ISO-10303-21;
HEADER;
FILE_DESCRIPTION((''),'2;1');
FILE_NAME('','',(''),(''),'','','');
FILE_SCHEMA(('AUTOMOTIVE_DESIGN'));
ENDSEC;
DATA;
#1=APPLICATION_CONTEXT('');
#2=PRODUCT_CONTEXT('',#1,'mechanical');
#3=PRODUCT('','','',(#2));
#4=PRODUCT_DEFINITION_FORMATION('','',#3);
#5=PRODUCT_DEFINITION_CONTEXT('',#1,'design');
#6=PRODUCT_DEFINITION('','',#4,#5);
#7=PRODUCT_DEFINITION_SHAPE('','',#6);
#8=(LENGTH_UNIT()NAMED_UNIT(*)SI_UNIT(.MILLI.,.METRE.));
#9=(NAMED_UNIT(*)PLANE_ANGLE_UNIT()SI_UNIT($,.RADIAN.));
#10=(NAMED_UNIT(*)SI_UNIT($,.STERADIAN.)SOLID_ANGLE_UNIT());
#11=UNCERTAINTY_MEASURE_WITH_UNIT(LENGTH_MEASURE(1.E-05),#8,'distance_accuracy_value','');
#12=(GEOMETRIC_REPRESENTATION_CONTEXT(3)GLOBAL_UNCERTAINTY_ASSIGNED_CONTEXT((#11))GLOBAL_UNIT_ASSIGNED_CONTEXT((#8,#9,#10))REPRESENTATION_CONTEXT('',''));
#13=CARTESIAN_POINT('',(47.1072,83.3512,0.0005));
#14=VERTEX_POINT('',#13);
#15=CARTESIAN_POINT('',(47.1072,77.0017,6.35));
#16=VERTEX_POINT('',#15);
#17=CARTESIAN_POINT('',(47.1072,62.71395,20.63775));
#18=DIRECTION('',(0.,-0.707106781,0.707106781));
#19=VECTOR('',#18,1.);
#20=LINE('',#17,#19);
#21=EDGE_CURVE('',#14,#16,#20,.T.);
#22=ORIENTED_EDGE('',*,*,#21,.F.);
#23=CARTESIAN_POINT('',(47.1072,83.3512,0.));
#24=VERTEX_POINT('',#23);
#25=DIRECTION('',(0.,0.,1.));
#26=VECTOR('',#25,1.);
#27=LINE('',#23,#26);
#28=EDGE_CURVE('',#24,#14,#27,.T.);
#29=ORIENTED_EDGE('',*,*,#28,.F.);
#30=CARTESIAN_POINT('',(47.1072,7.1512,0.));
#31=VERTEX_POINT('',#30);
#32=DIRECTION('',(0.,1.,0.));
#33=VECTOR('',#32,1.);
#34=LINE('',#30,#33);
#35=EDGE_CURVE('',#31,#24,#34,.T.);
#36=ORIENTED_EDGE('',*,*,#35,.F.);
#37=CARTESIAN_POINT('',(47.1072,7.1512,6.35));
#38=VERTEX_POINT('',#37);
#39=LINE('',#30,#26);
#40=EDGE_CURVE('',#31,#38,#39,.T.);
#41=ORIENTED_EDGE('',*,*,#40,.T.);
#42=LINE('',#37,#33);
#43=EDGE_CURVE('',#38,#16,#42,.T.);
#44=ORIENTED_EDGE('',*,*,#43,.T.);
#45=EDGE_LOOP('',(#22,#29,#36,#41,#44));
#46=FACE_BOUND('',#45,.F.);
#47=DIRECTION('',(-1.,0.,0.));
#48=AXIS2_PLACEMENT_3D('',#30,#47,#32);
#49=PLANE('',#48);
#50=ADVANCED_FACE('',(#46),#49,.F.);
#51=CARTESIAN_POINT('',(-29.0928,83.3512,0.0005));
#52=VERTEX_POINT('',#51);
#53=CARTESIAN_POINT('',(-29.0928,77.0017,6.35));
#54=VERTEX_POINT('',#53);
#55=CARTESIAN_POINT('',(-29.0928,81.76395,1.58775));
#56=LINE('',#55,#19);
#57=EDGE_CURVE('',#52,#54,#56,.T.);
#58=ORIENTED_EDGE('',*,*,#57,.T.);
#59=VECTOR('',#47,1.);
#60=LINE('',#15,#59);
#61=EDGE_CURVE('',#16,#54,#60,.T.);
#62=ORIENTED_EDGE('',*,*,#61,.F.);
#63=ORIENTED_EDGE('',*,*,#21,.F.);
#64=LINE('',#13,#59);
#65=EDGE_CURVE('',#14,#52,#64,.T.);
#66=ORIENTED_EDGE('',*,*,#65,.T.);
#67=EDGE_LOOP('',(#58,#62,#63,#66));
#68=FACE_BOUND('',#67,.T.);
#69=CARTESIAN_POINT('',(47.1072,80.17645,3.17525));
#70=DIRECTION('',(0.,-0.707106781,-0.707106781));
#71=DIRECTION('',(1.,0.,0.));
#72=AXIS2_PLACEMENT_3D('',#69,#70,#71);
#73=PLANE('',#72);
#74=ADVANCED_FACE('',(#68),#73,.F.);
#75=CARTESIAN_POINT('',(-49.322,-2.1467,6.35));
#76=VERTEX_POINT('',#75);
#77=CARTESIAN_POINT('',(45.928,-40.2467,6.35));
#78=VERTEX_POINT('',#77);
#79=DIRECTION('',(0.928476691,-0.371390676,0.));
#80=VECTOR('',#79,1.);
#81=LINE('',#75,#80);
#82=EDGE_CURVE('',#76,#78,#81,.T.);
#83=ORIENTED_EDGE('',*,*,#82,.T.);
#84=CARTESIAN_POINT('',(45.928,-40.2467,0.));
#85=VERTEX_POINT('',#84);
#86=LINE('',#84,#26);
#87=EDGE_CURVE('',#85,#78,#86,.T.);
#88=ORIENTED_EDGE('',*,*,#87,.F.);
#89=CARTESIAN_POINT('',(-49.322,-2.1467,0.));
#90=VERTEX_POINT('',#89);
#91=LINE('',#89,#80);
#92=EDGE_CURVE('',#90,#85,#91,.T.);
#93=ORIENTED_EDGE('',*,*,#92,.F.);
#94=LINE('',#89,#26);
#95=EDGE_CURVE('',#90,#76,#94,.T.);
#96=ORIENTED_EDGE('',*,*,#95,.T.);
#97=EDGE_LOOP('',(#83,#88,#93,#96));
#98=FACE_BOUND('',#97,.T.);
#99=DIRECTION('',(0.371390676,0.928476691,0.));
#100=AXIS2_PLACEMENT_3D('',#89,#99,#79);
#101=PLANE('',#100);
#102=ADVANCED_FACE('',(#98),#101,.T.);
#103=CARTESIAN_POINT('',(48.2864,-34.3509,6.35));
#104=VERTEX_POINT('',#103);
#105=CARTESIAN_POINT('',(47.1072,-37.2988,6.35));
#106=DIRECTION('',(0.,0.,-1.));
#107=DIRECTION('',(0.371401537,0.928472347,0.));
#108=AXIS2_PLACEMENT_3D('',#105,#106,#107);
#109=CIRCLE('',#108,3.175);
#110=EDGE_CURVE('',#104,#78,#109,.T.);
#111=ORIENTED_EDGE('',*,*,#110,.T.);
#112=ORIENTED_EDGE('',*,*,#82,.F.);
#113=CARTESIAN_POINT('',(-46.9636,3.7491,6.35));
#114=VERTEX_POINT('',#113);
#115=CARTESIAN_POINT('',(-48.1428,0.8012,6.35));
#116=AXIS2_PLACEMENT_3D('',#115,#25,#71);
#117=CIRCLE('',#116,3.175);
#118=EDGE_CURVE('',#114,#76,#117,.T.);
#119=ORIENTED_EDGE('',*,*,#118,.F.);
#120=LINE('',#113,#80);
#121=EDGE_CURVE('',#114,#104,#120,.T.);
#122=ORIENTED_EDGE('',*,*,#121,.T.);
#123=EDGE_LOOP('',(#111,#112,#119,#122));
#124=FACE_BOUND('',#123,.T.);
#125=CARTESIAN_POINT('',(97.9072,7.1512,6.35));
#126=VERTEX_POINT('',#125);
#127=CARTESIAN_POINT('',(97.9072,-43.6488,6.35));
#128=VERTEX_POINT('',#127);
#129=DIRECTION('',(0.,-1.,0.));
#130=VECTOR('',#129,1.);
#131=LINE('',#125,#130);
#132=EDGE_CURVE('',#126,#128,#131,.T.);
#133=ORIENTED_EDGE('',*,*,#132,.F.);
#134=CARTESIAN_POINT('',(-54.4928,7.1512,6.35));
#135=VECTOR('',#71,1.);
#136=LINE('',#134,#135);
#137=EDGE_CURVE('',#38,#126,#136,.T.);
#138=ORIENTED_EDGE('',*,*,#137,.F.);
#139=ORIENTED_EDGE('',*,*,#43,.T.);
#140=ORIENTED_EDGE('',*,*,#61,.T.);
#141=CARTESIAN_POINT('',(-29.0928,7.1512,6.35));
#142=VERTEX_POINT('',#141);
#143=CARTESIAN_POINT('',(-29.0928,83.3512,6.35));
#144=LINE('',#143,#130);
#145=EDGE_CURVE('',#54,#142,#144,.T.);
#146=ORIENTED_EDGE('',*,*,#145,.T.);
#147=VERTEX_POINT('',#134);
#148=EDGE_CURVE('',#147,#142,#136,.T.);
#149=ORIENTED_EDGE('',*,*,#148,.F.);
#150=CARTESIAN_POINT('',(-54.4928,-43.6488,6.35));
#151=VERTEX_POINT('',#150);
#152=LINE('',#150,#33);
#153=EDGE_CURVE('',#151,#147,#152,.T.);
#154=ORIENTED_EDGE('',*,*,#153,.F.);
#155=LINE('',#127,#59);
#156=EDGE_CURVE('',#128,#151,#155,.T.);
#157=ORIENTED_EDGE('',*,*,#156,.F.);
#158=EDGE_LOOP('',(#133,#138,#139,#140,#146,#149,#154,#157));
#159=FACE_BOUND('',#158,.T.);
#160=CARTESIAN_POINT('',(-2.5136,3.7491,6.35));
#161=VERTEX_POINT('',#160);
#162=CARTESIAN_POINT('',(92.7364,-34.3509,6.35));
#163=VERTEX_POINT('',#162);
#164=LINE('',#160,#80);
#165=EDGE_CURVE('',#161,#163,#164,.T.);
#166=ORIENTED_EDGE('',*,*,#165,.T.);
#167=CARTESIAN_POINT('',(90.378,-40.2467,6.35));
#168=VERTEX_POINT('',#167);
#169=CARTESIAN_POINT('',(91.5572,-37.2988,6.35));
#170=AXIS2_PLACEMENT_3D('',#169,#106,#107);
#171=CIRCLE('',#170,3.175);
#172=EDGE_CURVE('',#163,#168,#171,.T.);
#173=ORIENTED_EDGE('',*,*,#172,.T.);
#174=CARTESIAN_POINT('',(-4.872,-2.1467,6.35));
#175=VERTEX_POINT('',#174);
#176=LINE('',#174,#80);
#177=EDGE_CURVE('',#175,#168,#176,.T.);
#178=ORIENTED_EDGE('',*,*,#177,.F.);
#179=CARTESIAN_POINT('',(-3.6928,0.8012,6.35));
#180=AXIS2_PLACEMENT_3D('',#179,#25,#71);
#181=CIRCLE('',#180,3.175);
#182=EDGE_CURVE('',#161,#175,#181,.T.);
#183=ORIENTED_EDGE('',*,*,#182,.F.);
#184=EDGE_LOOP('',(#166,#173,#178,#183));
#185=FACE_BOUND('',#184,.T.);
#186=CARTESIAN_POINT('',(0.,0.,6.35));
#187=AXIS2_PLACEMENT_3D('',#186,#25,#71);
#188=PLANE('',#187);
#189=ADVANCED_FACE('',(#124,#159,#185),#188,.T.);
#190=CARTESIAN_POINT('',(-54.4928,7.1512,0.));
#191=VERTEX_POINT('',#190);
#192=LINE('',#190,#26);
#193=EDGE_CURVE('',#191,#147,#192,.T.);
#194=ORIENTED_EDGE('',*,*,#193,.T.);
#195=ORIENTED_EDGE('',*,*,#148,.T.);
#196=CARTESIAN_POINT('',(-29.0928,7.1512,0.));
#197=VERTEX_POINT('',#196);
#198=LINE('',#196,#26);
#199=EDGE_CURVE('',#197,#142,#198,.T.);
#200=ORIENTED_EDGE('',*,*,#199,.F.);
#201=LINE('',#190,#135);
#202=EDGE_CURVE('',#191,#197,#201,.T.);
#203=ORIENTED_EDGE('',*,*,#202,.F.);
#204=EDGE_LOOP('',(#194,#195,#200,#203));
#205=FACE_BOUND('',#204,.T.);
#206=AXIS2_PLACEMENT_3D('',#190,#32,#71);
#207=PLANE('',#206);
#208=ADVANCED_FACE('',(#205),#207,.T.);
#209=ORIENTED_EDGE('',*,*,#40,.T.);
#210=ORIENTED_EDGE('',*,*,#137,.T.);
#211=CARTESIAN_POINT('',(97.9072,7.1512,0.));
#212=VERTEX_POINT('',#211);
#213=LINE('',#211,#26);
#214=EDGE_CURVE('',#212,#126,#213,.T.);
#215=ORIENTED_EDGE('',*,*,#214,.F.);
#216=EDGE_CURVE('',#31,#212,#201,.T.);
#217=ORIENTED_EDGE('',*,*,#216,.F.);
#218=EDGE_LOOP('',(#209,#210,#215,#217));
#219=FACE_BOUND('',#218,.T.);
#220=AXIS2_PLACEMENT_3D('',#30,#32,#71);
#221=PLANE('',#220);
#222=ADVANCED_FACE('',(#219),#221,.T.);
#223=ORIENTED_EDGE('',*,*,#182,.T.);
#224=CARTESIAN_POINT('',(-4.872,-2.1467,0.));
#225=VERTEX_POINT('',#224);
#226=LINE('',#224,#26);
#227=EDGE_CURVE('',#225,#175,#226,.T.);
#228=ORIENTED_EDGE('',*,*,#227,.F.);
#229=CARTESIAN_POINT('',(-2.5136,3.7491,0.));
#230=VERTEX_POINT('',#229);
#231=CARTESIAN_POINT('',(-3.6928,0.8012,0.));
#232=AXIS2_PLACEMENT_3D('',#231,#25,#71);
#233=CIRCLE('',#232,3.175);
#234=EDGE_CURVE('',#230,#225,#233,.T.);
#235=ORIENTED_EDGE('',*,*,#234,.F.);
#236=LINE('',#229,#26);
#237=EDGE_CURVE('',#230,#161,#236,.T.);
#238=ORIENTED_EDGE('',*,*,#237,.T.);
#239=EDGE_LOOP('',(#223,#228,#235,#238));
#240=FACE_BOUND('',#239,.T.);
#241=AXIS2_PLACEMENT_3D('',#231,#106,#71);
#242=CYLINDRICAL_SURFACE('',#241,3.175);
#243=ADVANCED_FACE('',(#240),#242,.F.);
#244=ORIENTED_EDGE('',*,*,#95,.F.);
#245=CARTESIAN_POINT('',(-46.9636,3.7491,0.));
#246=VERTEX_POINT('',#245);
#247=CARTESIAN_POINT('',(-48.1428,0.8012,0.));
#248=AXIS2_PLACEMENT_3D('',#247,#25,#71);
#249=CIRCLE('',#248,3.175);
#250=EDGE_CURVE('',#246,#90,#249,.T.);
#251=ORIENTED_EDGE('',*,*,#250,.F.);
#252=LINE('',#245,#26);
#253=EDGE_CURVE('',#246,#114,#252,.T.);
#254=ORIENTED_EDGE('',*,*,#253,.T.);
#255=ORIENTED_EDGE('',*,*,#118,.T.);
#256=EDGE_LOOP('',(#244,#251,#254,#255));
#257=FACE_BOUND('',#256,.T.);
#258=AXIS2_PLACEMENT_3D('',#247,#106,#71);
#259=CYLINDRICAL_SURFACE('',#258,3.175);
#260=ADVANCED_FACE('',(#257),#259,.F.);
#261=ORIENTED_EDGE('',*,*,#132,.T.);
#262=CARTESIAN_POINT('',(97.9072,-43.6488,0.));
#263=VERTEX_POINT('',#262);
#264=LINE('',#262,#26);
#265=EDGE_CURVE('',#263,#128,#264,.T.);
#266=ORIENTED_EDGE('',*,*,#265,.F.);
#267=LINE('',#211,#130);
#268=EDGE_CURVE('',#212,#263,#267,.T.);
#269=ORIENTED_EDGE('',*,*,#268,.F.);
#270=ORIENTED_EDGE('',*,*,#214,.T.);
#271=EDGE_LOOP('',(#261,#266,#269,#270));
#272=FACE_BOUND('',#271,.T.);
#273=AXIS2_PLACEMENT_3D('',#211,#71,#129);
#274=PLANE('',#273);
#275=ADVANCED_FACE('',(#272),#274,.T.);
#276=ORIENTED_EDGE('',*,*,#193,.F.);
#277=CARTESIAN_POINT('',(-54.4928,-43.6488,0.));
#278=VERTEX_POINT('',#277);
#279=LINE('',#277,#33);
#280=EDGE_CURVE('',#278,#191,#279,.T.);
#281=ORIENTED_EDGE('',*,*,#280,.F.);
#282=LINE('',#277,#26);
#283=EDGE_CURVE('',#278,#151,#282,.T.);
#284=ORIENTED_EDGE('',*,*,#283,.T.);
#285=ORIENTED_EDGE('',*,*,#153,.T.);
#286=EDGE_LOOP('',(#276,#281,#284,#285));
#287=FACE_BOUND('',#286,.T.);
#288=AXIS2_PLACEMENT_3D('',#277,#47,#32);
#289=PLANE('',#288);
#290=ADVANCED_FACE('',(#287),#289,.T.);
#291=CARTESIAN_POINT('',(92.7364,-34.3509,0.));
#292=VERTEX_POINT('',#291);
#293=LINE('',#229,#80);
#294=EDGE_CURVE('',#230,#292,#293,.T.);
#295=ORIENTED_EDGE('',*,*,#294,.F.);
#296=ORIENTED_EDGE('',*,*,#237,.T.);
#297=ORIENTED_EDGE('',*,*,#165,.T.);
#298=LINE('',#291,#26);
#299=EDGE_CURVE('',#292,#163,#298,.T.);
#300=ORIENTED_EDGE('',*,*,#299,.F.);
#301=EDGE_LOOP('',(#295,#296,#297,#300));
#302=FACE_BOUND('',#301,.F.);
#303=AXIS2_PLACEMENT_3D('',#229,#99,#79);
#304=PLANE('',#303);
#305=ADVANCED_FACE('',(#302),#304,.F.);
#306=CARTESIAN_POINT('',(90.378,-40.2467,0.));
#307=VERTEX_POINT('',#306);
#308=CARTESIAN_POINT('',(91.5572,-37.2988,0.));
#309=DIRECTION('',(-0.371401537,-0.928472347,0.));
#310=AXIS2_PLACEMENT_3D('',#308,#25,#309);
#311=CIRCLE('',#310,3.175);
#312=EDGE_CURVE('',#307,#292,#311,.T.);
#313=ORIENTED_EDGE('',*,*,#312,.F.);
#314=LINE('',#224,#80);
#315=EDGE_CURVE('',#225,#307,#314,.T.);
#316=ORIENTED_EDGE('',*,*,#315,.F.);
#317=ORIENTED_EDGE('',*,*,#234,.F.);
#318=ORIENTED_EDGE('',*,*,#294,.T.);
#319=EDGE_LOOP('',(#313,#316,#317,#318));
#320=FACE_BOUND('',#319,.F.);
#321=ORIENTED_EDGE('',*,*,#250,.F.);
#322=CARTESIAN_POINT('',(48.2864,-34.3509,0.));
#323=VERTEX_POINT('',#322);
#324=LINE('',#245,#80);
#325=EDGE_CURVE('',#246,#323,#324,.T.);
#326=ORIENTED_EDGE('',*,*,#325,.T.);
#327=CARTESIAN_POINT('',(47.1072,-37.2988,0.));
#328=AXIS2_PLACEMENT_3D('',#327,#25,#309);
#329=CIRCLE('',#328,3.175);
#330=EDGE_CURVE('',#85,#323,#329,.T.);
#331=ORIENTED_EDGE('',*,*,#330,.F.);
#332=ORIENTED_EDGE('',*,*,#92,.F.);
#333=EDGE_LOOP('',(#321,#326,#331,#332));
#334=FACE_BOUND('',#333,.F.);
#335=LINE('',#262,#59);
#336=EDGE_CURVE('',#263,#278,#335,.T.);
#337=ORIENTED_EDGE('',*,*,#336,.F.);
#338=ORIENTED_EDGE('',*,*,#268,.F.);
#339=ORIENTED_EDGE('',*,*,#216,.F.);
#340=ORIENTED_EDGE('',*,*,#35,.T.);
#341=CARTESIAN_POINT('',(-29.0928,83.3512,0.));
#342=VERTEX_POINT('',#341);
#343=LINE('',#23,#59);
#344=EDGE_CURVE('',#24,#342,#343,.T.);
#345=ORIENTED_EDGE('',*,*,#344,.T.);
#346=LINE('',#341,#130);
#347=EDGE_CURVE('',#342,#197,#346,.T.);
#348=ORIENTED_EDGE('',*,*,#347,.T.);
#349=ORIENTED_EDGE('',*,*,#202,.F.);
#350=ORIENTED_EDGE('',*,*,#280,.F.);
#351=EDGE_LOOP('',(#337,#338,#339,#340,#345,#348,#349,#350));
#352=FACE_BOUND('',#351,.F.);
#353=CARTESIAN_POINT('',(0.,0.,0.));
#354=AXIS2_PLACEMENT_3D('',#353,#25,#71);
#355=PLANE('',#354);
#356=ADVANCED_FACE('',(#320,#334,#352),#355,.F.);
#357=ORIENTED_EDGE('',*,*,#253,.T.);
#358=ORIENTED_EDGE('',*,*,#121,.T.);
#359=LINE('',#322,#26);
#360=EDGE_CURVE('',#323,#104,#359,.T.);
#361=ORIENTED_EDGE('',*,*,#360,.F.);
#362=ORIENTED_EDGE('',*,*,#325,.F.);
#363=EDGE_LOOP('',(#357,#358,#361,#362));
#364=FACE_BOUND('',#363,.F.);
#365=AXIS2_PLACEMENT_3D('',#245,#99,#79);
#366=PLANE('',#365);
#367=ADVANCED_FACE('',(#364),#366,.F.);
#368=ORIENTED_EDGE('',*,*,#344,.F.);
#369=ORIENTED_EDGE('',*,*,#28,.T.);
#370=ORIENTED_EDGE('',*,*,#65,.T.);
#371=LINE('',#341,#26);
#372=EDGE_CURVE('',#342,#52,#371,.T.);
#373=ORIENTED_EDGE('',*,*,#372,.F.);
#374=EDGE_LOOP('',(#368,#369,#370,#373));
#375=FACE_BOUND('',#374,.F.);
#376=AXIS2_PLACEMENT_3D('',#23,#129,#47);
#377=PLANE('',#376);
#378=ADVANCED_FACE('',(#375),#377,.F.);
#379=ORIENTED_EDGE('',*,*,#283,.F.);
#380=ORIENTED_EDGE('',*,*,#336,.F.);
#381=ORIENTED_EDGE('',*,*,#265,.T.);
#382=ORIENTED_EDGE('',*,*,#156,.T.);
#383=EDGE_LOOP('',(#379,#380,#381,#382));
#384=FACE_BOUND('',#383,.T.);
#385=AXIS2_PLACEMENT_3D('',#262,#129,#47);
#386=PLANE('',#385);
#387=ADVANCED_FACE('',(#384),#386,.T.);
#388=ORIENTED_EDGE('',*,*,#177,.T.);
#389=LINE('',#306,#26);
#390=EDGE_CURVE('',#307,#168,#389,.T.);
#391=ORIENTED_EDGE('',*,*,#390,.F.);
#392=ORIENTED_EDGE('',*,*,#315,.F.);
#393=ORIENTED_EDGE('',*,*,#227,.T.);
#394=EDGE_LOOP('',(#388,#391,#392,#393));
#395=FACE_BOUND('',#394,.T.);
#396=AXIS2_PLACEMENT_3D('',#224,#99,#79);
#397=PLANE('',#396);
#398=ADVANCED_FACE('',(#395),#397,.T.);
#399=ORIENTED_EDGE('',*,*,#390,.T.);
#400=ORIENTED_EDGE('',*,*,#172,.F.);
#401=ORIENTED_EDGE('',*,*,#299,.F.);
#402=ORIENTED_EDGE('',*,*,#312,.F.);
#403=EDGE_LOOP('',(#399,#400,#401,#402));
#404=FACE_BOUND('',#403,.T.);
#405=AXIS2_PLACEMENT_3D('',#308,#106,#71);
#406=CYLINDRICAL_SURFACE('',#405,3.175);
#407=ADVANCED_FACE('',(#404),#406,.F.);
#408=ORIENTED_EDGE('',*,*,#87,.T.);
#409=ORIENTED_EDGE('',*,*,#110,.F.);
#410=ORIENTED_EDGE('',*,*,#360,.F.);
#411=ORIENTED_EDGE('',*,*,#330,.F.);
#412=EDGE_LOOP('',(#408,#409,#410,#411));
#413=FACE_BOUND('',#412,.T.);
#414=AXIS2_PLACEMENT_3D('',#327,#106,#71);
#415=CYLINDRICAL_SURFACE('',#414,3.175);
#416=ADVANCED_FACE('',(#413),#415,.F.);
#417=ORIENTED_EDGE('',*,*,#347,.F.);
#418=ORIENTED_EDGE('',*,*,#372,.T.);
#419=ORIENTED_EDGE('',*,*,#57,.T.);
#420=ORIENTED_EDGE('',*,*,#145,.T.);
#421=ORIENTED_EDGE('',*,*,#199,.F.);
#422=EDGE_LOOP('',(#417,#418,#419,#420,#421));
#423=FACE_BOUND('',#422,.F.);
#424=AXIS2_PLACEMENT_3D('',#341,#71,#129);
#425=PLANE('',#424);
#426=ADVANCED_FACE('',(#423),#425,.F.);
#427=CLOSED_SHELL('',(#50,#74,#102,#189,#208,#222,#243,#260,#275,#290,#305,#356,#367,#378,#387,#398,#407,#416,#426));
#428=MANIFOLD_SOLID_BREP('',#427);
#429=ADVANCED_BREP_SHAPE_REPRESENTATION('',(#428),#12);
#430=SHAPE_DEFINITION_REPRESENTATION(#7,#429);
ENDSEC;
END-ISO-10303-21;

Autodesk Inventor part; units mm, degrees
ref_plane "YZ Plane" through (0, 0, 0) normal (1, 0, 0) x (0, 1, 0)
ref_plane "XZ Plane" through (0, 0, 0) normal (0, 1, 0) x (-1, 0, 0)
ref_plane "XY Plane" through (0, 0, 0) normal (0, 0, 1) x (1, 0, 0)
sketch "Sketch1" plane through (0, 0, 0) normal (0, 0, 1) x (1, 0, 0)
  line L0 (-29.0928, 7.1512) -> (47.1072, 7.1512)
  line L1 (47.1072, 7.1512) -> (47.1072, 83.3512)
  line L2 (47.1072, 83.3512) -> (-29.0928, 83.3512)
  line L3 (-29.0928, 83.3512) -> (-29.0928, 7.1512)
  line L4 (-54.4928, 7.1512) -> (97.9072, 7.1512)
  line L5 (97.9072, 7.1512) -> (97.9072, -43.6488)
  line L6 (97.9072, -43.6488) -> (-54.4928, -43.6488)
  line L7 (-54.4928, -43.6488) -> (-54.4928, 7.1512)
  circle A0 centre (-48.1428, 0.8012) radius 3.175
  circle A1 centre (47.1072, -37.2988) radius 3.175
  line L8 (-46.9636, 3.7491) -> (48.2864, -34.3509)
  line L9 (-49.322, -2.1467) -> (45.928, -40.2467)
  circle A2 centre (-3.6928, 0.8012) radius 3.175
  line L10 (-4.872, -2.1467) -> (90.378, -40.2467)
  line L11 (-2.5136, 3.7491) -> (92.7364, -34.3509)
  circle A3 centre (91.5572, -37.2988) radius 3.175
  point P0 (0, 0)
  point P1 (-29.0928, 7.1512)
  dimension "d0" = 76.2
  dimension "d1" = 76.2
  dimension "d2" = 152.4
  dimension "d3" = 50.8
  dimension "d4" = 25.4
  dimension "d5" = 6.35
  dimension "d6" = 6.35
  dimension "d7" = 6.35
  dimension "d8" = 6.35
  dimension "d9" = 6.35
  dimension "d10" = 6.35
  dimension "d11" = 6.35
  dimension "d12" = 6.35
extrude "Extrusion1" add sketch "Sketch1" along normal blind 6.35
chamfer "Chamfer1" distance 6.35 angle 45 1 edges at (9.0072, 83.3512, 6.35)
properties part number "Tall Wall Lift"
